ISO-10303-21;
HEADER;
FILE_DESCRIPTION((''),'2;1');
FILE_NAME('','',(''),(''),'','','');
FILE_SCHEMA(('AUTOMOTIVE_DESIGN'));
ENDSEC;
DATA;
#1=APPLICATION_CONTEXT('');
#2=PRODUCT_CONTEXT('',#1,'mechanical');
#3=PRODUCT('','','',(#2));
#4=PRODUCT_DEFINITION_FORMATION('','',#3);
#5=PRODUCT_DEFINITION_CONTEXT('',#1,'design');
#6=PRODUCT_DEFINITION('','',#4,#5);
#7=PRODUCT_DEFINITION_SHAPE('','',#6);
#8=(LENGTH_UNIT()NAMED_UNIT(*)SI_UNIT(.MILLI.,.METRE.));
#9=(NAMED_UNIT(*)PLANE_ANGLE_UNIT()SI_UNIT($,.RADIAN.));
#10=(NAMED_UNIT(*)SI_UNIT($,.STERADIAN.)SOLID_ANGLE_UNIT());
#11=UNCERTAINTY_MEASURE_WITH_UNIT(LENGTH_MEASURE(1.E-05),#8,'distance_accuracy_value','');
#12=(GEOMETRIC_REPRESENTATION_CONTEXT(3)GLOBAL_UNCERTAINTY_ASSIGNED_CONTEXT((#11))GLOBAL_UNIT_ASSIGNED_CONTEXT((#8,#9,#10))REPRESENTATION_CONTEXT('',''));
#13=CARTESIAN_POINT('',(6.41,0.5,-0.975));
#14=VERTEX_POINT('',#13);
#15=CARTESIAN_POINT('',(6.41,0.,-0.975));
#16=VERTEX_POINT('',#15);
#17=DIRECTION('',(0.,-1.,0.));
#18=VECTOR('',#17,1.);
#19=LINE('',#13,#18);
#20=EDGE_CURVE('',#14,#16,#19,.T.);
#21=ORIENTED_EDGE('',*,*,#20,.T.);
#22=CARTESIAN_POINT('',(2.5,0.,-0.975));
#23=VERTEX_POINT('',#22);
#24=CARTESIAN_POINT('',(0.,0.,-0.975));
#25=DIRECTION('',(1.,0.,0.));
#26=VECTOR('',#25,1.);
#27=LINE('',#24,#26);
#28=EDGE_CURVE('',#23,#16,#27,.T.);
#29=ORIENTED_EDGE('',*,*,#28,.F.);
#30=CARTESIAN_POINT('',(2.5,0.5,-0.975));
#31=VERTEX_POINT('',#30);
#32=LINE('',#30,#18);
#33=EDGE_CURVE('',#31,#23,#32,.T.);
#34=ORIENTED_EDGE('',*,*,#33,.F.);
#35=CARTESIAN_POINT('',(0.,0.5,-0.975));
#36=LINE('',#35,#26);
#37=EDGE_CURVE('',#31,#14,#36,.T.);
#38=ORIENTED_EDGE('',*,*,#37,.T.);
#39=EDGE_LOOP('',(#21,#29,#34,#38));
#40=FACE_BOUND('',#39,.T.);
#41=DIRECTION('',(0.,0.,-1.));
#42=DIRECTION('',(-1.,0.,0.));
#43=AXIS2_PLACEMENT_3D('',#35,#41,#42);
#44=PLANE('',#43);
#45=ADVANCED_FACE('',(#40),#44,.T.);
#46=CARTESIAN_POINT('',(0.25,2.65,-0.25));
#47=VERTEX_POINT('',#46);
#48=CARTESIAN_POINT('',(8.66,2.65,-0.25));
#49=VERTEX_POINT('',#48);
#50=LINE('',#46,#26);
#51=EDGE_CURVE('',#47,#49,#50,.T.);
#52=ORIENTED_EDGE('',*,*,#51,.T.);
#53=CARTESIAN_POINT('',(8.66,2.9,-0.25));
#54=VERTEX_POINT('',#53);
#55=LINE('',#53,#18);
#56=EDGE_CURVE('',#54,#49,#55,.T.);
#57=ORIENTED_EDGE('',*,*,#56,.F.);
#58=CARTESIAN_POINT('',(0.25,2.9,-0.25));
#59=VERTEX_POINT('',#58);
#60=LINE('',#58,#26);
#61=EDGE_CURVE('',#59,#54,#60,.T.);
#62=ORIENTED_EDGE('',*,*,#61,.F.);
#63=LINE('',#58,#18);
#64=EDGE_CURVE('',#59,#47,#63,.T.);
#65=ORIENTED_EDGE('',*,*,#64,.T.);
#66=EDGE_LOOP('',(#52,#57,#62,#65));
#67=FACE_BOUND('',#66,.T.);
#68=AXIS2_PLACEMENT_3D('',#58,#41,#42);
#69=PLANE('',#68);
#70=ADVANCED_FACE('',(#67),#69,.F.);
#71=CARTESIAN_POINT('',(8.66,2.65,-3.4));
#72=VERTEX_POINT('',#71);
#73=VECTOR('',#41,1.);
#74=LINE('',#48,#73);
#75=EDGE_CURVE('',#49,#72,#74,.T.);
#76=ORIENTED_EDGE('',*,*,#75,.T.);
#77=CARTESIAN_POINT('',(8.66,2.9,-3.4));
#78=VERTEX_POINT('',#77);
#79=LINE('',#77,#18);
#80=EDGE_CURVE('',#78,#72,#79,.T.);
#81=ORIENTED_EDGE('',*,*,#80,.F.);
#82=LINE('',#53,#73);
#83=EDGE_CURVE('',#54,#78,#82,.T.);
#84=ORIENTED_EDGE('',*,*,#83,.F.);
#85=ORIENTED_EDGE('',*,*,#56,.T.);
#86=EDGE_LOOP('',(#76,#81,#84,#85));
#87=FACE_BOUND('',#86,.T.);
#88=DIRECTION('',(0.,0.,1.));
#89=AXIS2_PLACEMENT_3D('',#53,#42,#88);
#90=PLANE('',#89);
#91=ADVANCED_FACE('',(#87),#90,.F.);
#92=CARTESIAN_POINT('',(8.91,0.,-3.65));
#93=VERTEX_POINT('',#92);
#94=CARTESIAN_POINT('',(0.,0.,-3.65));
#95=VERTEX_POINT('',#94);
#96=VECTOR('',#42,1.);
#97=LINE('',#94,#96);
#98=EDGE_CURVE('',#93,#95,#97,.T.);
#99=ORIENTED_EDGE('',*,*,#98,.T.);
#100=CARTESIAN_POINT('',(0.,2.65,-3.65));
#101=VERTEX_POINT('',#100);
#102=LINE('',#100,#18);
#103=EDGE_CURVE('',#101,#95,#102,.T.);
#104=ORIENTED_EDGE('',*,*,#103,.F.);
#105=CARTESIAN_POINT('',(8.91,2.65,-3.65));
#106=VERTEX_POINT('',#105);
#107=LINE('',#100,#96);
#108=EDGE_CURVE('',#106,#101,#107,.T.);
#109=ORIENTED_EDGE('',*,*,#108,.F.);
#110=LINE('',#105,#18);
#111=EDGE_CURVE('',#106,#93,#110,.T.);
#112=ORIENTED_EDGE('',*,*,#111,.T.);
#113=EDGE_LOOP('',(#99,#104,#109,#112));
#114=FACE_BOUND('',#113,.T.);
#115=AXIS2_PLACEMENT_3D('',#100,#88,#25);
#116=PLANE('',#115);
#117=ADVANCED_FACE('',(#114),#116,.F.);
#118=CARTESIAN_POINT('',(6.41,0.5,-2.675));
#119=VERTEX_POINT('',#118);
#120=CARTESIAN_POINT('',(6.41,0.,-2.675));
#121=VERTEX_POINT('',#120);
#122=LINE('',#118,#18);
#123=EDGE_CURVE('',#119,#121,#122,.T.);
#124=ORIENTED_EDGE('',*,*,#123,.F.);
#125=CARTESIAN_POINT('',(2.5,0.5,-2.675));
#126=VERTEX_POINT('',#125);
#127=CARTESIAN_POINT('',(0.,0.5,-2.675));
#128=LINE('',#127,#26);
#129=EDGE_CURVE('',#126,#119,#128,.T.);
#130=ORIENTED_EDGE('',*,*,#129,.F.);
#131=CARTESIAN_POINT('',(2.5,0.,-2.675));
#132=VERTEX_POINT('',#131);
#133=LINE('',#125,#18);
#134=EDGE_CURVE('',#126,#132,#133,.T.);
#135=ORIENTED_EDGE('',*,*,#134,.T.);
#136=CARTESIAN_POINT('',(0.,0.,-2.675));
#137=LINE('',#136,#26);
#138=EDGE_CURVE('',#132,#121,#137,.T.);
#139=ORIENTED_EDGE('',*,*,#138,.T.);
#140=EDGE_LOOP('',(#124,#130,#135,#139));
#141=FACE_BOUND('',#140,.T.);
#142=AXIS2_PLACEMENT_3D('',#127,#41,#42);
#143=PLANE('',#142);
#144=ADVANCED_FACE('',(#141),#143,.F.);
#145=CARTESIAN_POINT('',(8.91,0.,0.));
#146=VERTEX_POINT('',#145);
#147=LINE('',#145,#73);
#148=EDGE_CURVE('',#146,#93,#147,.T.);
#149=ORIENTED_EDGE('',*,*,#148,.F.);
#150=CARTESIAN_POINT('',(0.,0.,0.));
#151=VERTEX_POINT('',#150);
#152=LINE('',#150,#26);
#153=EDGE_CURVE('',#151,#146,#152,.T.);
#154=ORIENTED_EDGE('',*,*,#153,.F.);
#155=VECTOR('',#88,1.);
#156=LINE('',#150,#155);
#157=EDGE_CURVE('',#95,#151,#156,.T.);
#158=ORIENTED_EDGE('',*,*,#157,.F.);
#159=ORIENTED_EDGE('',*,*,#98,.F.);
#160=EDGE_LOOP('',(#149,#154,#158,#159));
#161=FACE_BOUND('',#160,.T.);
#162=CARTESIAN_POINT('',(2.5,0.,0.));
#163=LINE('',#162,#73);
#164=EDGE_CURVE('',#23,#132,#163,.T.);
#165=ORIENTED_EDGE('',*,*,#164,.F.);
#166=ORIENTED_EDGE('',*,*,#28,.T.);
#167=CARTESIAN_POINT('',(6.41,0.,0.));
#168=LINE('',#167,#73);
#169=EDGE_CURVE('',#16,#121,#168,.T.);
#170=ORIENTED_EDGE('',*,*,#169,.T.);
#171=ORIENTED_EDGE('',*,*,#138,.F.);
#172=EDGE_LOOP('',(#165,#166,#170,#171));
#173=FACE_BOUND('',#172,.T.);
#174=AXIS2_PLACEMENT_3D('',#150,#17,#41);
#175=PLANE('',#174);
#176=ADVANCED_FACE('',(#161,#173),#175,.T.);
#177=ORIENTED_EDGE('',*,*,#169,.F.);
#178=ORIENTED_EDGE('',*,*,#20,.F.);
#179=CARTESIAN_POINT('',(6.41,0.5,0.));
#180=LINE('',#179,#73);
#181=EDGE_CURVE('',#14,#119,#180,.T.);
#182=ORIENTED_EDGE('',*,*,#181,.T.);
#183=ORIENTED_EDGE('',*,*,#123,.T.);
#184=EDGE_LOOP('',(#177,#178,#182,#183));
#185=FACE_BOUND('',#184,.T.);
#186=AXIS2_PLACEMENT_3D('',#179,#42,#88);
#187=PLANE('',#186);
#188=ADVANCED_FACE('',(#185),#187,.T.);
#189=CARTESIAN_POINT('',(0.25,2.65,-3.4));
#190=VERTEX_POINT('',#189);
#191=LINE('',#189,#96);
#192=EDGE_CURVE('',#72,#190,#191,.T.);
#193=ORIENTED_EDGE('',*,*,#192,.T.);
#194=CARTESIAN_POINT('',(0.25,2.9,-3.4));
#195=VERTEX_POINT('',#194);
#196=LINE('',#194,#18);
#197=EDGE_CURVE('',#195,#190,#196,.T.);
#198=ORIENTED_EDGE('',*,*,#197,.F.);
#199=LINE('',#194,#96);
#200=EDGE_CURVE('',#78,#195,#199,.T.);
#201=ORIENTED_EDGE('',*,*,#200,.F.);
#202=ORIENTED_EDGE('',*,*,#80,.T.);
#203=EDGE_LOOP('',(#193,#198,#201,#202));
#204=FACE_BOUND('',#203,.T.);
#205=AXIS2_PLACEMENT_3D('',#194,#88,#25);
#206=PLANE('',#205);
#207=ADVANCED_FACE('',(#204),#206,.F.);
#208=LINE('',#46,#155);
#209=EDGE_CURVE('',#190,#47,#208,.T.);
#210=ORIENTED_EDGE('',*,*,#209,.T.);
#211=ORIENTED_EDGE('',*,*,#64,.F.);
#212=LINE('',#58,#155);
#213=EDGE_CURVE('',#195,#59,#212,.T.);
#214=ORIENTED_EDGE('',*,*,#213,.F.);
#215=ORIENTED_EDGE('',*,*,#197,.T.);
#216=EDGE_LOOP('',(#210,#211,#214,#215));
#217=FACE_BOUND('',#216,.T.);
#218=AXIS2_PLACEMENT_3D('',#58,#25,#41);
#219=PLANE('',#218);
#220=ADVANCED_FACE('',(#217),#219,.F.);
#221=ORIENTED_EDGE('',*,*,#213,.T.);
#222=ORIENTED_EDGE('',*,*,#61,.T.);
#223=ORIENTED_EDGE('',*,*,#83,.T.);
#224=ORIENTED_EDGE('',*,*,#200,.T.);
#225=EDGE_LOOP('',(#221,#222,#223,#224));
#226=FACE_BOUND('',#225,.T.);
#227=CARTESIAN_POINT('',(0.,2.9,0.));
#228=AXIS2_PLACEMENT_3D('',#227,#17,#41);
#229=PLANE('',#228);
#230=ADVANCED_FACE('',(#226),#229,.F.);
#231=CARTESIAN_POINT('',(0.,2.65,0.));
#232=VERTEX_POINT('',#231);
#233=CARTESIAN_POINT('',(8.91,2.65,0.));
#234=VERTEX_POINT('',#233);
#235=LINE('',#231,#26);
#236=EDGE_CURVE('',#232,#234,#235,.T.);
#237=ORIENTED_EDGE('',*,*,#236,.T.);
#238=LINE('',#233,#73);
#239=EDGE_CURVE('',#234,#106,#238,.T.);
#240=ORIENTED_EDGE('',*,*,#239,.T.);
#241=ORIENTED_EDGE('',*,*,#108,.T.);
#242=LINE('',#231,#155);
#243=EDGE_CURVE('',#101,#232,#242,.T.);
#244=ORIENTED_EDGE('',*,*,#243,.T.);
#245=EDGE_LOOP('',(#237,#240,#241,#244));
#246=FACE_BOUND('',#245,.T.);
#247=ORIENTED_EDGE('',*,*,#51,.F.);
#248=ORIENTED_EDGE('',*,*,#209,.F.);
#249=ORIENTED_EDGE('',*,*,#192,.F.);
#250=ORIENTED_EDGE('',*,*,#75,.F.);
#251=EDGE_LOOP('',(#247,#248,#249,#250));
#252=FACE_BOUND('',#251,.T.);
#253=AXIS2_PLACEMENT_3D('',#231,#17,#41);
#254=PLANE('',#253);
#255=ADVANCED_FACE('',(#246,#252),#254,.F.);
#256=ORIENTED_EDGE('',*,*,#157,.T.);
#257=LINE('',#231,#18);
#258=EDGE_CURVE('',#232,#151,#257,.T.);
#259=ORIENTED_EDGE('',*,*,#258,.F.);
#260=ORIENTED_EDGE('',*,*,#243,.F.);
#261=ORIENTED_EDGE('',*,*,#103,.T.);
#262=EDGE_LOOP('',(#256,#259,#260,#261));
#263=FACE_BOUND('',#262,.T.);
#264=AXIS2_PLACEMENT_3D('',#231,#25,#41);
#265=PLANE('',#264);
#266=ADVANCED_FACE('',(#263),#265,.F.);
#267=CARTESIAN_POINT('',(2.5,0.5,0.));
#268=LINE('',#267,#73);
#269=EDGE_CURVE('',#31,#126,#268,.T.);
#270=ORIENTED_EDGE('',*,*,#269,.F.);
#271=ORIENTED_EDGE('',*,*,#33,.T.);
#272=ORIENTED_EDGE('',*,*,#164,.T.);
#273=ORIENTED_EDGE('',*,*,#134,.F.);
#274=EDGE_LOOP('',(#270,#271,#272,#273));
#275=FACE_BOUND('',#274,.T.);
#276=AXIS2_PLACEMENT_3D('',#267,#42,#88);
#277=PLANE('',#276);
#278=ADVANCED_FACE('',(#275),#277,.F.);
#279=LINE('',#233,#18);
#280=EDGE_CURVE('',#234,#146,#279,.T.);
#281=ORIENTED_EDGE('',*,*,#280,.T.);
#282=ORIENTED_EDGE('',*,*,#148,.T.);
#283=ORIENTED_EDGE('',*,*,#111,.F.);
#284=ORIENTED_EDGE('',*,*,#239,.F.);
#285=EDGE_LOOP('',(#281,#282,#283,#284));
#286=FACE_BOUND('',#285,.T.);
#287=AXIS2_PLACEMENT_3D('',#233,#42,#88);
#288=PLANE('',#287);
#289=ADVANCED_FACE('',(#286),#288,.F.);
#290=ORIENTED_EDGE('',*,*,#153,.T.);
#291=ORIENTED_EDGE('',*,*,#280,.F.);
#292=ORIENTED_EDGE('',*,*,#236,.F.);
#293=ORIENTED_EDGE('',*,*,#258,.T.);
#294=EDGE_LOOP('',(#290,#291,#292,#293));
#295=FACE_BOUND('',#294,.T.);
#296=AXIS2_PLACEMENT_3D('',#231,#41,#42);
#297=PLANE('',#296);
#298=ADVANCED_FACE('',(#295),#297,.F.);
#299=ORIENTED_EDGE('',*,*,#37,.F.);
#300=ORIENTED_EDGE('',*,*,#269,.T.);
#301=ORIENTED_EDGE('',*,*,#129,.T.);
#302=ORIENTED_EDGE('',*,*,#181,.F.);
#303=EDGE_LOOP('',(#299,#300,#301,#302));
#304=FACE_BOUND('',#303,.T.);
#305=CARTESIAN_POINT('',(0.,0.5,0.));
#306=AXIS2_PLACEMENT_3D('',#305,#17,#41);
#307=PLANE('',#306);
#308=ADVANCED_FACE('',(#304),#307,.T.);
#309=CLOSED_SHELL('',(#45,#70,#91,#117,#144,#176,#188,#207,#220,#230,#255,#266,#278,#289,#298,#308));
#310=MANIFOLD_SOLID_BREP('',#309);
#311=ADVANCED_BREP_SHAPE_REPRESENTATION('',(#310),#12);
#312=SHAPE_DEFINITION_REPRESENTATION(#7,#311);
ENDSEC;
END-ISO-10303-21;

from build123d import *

# Parameters (mm, degrees)
SKETCH1_W          = 8.91
SKETCH1_H          = 3.65
MAIN_SHAPE_DEPTH   = 2.65
SKETCH2_W          = 8.41
SKETCH2_H          = 3.15
BOTTOM_BASE_DEPTH  = 0.25
SWITCH_HOLE_W      = 3.91
SWITCH_HOLE_H      = 1.7
CUT_EXTRUDE1_DEPTH = 0.5


with BuildPart() as part:
    # Sketch1 → main shape (new body)
    with BuildSketch(Plane(origin=(0, 0, 0), x_dir=(1, 0, 0), z_dir=(0, 1, 0))):
        with Locations((4.455, 1.825)):
            Rectangle(SKETCH1_W, SKETCH1_H)
    extrude(amount=MAIN_SHAPE_DEPTH)

    # Sketch2 → bottom base (add)
    with BuildSketch(Plane(origin=(0, 2.65, 0), x_dir=(1, 0, 0), z_dir=(0, 1, 0))):
        with Locations((4.455, 1.825)):
            Rectangle(SKETCH2_W, SKETCH2_H)
    extrude(amount=BOTTOM_BASE_DEPTH)

    # switch hole → Cut-Extrude1 (cut)
    with BuildSketch(Plane.XZ):
        with Locations((4.455, -1.825)):
            Rectangle(SWITCH_HOLE_W, SWITCH_HOLE_H)
    extrude(amount=-CUT_EXTRUDE1_DEPTH, mode=Mode.SUBTRACT)


solid = part.part
